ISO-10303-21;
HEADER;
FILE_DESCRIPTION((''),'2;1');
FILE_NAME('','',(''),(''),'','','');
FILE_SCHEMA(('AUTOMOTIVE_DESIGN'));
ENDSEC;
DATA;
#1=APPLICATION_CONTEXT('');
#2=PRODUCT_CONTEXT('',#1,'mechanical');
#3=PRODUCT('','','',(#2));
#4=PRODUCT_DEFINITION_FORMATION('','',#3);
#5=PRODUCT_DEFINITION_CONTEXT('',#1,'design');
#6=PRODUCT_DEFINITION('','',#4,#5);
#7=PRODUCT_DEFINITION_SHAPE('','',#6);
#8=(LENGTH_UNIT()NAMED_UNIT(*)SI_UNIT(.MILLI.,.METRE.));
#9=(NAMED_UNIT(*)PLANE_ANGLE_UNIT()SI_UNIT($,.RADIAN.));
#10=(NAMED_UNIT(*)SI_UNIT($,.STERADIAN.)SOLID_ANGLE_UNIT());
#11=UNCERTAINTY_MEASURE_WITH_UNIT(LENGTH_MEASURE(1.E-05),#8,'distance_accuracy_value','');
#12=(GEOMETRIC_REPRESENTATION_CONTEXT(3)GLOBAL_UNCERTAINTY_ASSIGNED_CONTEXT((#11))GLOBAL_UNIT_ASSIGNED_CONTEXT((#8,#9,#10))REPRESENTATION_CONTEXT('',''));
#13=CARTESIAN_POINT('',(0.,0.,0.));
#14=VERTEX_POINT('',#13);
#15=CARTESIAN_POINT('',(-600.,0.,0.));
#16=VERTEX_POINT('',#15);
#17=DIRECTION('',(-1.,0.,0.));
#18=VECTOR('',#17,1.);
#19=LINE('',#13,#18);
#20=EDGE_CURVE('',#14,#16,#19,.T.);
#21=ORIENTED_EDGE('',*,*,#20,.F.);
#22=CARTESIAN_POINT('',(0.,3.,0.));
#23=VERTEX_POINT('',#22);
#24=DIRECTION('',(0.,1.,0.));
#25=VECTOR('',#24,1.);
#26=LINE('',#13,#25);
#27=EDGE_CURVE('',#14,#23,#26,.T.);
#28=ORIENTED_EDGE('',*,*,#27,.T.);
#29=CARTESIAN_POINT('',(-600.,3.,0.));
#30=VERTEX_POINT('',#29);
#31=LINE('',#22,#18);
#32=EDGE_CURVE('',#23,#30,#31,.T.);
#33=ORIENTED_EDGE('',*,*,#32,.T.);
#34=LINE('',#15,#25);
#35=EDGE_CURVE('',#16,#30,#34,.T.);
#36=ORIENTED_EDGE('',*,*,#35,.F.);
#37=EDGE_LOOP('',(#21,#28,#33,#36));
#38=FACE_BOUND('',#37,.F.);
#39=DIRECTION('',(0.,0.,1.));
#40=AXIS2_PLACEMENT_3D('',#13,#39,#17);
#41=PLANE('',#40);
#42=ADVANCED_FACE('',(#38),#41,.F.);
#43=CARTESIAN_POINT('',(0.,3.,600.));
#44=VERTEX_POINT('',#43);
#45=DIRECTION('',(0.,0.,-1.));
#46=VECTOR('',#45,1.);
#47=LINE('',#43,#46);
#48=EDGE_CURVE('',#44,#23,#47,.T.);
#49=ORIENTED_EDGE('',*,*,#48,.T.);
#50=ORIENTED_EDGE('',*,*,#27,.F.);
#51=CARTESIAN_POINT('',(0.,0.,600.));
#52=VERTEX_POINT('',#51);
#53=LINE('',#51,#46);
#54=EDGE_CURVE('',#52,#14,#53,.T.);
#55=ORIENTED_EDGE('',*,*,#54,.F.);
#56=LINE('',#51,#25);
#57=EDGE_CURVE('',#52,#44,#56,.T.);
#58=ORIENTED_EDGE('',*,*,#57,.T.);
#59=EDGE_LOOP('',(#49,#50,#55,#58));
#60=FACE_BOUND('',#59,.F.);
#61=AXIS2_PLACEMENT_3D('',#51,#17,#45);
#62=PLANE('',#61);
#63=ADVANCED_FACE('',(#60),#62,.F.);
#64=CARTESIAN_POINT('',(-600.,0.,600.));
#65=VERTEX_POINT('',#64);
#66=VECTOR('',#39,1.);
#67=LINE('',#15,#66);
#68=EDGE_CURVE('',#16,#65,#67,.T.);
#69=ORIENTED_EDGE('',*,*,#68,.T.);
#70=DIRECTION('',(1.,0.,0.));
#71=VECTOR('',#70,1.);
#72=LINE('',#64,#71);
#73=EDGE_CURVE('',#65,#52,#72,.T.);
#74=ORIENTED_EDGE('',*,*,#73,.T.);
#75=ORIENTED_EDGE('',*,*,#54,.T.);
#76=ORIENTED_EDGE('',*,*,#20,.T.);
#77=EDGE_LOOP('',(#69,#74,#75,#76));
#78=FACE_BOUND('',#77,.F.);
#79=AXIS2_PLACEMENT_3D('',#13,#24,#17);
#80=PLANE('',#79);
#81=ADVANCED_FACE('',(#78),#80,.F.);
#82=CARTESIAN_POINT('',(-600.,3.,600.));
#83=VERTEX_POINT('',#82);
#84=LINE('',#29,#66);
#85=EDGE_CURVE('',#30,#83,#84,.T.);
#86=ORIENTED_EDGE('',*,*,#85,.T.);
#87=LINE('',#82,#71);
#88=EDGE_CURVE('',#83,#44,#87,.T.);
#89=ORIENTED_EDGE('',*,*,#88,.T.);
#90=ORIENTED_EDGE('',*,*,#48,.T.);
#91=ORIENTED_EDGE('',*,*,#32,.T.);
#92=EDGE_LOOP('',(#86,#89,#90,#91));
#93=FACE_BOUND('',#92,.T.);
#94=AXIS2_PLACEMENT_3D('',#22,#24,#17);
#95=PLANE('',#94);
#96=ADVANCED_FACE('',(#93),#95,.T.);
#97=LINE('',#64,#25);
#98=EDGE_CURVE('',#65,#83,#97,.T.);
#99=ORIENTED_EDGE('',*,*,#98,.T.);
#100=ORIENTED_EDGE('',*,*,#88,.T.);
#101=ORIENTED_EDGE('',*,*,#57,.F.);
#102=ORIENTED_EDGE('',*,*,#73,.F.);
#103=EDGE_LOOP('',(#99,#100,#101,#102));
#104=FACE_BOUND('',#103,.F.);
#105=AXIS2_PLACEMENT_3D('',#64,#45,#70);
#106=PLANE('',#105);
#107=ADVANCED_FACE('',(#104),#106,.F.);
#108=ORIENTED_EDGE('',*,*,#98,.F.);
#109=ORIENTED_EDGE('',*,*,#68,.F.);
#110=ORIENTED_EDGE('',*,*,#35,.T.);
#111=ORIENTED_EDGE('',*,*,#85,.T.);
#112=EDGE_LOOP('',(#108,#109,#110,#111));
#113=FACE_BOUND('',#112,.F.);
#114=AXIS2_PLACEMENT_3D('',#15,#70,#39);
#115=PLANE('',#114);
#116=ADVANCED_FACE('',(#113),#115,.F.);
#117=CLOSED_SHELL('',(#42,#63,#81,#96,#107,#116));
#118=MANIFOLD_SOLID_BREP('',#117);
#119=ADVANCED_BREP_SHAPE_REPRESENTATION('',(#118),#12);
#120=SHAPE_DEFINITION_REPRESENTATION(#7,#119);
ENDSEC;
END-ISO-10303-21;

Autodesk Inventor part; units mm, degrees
ref_plane "YZ Plane" through (0, 0, 0) normal (1, 0, 0) x (0, 1, 0)
ref_plane "XZ Plane" through (0, 0, 0) normal (0, 1, 0) x (-1, 0, 0)
ref_plane "XY Plane" through (0, 0, 0) normal (0, 0, 1) x (1, 0, 0)
sketch "Sketch1" plane through (0, 0, 0) normal (0, 1, 0) x (-1, 0, 0)
  line L0 (0, 0) -> (600, 0)
  line L1 (600, 0) -> (600, 600)
  line L2 (600, 600) -> (0, 600)
  line L3 (0, 600) -> (0, 0)
  dimension "d0" = 600
  dimension "d1" = 600
extrude "Extrusion1" add sketch "Sketch1" along normal blind 3
properties part number "refractory_quarry_tile_pad"
